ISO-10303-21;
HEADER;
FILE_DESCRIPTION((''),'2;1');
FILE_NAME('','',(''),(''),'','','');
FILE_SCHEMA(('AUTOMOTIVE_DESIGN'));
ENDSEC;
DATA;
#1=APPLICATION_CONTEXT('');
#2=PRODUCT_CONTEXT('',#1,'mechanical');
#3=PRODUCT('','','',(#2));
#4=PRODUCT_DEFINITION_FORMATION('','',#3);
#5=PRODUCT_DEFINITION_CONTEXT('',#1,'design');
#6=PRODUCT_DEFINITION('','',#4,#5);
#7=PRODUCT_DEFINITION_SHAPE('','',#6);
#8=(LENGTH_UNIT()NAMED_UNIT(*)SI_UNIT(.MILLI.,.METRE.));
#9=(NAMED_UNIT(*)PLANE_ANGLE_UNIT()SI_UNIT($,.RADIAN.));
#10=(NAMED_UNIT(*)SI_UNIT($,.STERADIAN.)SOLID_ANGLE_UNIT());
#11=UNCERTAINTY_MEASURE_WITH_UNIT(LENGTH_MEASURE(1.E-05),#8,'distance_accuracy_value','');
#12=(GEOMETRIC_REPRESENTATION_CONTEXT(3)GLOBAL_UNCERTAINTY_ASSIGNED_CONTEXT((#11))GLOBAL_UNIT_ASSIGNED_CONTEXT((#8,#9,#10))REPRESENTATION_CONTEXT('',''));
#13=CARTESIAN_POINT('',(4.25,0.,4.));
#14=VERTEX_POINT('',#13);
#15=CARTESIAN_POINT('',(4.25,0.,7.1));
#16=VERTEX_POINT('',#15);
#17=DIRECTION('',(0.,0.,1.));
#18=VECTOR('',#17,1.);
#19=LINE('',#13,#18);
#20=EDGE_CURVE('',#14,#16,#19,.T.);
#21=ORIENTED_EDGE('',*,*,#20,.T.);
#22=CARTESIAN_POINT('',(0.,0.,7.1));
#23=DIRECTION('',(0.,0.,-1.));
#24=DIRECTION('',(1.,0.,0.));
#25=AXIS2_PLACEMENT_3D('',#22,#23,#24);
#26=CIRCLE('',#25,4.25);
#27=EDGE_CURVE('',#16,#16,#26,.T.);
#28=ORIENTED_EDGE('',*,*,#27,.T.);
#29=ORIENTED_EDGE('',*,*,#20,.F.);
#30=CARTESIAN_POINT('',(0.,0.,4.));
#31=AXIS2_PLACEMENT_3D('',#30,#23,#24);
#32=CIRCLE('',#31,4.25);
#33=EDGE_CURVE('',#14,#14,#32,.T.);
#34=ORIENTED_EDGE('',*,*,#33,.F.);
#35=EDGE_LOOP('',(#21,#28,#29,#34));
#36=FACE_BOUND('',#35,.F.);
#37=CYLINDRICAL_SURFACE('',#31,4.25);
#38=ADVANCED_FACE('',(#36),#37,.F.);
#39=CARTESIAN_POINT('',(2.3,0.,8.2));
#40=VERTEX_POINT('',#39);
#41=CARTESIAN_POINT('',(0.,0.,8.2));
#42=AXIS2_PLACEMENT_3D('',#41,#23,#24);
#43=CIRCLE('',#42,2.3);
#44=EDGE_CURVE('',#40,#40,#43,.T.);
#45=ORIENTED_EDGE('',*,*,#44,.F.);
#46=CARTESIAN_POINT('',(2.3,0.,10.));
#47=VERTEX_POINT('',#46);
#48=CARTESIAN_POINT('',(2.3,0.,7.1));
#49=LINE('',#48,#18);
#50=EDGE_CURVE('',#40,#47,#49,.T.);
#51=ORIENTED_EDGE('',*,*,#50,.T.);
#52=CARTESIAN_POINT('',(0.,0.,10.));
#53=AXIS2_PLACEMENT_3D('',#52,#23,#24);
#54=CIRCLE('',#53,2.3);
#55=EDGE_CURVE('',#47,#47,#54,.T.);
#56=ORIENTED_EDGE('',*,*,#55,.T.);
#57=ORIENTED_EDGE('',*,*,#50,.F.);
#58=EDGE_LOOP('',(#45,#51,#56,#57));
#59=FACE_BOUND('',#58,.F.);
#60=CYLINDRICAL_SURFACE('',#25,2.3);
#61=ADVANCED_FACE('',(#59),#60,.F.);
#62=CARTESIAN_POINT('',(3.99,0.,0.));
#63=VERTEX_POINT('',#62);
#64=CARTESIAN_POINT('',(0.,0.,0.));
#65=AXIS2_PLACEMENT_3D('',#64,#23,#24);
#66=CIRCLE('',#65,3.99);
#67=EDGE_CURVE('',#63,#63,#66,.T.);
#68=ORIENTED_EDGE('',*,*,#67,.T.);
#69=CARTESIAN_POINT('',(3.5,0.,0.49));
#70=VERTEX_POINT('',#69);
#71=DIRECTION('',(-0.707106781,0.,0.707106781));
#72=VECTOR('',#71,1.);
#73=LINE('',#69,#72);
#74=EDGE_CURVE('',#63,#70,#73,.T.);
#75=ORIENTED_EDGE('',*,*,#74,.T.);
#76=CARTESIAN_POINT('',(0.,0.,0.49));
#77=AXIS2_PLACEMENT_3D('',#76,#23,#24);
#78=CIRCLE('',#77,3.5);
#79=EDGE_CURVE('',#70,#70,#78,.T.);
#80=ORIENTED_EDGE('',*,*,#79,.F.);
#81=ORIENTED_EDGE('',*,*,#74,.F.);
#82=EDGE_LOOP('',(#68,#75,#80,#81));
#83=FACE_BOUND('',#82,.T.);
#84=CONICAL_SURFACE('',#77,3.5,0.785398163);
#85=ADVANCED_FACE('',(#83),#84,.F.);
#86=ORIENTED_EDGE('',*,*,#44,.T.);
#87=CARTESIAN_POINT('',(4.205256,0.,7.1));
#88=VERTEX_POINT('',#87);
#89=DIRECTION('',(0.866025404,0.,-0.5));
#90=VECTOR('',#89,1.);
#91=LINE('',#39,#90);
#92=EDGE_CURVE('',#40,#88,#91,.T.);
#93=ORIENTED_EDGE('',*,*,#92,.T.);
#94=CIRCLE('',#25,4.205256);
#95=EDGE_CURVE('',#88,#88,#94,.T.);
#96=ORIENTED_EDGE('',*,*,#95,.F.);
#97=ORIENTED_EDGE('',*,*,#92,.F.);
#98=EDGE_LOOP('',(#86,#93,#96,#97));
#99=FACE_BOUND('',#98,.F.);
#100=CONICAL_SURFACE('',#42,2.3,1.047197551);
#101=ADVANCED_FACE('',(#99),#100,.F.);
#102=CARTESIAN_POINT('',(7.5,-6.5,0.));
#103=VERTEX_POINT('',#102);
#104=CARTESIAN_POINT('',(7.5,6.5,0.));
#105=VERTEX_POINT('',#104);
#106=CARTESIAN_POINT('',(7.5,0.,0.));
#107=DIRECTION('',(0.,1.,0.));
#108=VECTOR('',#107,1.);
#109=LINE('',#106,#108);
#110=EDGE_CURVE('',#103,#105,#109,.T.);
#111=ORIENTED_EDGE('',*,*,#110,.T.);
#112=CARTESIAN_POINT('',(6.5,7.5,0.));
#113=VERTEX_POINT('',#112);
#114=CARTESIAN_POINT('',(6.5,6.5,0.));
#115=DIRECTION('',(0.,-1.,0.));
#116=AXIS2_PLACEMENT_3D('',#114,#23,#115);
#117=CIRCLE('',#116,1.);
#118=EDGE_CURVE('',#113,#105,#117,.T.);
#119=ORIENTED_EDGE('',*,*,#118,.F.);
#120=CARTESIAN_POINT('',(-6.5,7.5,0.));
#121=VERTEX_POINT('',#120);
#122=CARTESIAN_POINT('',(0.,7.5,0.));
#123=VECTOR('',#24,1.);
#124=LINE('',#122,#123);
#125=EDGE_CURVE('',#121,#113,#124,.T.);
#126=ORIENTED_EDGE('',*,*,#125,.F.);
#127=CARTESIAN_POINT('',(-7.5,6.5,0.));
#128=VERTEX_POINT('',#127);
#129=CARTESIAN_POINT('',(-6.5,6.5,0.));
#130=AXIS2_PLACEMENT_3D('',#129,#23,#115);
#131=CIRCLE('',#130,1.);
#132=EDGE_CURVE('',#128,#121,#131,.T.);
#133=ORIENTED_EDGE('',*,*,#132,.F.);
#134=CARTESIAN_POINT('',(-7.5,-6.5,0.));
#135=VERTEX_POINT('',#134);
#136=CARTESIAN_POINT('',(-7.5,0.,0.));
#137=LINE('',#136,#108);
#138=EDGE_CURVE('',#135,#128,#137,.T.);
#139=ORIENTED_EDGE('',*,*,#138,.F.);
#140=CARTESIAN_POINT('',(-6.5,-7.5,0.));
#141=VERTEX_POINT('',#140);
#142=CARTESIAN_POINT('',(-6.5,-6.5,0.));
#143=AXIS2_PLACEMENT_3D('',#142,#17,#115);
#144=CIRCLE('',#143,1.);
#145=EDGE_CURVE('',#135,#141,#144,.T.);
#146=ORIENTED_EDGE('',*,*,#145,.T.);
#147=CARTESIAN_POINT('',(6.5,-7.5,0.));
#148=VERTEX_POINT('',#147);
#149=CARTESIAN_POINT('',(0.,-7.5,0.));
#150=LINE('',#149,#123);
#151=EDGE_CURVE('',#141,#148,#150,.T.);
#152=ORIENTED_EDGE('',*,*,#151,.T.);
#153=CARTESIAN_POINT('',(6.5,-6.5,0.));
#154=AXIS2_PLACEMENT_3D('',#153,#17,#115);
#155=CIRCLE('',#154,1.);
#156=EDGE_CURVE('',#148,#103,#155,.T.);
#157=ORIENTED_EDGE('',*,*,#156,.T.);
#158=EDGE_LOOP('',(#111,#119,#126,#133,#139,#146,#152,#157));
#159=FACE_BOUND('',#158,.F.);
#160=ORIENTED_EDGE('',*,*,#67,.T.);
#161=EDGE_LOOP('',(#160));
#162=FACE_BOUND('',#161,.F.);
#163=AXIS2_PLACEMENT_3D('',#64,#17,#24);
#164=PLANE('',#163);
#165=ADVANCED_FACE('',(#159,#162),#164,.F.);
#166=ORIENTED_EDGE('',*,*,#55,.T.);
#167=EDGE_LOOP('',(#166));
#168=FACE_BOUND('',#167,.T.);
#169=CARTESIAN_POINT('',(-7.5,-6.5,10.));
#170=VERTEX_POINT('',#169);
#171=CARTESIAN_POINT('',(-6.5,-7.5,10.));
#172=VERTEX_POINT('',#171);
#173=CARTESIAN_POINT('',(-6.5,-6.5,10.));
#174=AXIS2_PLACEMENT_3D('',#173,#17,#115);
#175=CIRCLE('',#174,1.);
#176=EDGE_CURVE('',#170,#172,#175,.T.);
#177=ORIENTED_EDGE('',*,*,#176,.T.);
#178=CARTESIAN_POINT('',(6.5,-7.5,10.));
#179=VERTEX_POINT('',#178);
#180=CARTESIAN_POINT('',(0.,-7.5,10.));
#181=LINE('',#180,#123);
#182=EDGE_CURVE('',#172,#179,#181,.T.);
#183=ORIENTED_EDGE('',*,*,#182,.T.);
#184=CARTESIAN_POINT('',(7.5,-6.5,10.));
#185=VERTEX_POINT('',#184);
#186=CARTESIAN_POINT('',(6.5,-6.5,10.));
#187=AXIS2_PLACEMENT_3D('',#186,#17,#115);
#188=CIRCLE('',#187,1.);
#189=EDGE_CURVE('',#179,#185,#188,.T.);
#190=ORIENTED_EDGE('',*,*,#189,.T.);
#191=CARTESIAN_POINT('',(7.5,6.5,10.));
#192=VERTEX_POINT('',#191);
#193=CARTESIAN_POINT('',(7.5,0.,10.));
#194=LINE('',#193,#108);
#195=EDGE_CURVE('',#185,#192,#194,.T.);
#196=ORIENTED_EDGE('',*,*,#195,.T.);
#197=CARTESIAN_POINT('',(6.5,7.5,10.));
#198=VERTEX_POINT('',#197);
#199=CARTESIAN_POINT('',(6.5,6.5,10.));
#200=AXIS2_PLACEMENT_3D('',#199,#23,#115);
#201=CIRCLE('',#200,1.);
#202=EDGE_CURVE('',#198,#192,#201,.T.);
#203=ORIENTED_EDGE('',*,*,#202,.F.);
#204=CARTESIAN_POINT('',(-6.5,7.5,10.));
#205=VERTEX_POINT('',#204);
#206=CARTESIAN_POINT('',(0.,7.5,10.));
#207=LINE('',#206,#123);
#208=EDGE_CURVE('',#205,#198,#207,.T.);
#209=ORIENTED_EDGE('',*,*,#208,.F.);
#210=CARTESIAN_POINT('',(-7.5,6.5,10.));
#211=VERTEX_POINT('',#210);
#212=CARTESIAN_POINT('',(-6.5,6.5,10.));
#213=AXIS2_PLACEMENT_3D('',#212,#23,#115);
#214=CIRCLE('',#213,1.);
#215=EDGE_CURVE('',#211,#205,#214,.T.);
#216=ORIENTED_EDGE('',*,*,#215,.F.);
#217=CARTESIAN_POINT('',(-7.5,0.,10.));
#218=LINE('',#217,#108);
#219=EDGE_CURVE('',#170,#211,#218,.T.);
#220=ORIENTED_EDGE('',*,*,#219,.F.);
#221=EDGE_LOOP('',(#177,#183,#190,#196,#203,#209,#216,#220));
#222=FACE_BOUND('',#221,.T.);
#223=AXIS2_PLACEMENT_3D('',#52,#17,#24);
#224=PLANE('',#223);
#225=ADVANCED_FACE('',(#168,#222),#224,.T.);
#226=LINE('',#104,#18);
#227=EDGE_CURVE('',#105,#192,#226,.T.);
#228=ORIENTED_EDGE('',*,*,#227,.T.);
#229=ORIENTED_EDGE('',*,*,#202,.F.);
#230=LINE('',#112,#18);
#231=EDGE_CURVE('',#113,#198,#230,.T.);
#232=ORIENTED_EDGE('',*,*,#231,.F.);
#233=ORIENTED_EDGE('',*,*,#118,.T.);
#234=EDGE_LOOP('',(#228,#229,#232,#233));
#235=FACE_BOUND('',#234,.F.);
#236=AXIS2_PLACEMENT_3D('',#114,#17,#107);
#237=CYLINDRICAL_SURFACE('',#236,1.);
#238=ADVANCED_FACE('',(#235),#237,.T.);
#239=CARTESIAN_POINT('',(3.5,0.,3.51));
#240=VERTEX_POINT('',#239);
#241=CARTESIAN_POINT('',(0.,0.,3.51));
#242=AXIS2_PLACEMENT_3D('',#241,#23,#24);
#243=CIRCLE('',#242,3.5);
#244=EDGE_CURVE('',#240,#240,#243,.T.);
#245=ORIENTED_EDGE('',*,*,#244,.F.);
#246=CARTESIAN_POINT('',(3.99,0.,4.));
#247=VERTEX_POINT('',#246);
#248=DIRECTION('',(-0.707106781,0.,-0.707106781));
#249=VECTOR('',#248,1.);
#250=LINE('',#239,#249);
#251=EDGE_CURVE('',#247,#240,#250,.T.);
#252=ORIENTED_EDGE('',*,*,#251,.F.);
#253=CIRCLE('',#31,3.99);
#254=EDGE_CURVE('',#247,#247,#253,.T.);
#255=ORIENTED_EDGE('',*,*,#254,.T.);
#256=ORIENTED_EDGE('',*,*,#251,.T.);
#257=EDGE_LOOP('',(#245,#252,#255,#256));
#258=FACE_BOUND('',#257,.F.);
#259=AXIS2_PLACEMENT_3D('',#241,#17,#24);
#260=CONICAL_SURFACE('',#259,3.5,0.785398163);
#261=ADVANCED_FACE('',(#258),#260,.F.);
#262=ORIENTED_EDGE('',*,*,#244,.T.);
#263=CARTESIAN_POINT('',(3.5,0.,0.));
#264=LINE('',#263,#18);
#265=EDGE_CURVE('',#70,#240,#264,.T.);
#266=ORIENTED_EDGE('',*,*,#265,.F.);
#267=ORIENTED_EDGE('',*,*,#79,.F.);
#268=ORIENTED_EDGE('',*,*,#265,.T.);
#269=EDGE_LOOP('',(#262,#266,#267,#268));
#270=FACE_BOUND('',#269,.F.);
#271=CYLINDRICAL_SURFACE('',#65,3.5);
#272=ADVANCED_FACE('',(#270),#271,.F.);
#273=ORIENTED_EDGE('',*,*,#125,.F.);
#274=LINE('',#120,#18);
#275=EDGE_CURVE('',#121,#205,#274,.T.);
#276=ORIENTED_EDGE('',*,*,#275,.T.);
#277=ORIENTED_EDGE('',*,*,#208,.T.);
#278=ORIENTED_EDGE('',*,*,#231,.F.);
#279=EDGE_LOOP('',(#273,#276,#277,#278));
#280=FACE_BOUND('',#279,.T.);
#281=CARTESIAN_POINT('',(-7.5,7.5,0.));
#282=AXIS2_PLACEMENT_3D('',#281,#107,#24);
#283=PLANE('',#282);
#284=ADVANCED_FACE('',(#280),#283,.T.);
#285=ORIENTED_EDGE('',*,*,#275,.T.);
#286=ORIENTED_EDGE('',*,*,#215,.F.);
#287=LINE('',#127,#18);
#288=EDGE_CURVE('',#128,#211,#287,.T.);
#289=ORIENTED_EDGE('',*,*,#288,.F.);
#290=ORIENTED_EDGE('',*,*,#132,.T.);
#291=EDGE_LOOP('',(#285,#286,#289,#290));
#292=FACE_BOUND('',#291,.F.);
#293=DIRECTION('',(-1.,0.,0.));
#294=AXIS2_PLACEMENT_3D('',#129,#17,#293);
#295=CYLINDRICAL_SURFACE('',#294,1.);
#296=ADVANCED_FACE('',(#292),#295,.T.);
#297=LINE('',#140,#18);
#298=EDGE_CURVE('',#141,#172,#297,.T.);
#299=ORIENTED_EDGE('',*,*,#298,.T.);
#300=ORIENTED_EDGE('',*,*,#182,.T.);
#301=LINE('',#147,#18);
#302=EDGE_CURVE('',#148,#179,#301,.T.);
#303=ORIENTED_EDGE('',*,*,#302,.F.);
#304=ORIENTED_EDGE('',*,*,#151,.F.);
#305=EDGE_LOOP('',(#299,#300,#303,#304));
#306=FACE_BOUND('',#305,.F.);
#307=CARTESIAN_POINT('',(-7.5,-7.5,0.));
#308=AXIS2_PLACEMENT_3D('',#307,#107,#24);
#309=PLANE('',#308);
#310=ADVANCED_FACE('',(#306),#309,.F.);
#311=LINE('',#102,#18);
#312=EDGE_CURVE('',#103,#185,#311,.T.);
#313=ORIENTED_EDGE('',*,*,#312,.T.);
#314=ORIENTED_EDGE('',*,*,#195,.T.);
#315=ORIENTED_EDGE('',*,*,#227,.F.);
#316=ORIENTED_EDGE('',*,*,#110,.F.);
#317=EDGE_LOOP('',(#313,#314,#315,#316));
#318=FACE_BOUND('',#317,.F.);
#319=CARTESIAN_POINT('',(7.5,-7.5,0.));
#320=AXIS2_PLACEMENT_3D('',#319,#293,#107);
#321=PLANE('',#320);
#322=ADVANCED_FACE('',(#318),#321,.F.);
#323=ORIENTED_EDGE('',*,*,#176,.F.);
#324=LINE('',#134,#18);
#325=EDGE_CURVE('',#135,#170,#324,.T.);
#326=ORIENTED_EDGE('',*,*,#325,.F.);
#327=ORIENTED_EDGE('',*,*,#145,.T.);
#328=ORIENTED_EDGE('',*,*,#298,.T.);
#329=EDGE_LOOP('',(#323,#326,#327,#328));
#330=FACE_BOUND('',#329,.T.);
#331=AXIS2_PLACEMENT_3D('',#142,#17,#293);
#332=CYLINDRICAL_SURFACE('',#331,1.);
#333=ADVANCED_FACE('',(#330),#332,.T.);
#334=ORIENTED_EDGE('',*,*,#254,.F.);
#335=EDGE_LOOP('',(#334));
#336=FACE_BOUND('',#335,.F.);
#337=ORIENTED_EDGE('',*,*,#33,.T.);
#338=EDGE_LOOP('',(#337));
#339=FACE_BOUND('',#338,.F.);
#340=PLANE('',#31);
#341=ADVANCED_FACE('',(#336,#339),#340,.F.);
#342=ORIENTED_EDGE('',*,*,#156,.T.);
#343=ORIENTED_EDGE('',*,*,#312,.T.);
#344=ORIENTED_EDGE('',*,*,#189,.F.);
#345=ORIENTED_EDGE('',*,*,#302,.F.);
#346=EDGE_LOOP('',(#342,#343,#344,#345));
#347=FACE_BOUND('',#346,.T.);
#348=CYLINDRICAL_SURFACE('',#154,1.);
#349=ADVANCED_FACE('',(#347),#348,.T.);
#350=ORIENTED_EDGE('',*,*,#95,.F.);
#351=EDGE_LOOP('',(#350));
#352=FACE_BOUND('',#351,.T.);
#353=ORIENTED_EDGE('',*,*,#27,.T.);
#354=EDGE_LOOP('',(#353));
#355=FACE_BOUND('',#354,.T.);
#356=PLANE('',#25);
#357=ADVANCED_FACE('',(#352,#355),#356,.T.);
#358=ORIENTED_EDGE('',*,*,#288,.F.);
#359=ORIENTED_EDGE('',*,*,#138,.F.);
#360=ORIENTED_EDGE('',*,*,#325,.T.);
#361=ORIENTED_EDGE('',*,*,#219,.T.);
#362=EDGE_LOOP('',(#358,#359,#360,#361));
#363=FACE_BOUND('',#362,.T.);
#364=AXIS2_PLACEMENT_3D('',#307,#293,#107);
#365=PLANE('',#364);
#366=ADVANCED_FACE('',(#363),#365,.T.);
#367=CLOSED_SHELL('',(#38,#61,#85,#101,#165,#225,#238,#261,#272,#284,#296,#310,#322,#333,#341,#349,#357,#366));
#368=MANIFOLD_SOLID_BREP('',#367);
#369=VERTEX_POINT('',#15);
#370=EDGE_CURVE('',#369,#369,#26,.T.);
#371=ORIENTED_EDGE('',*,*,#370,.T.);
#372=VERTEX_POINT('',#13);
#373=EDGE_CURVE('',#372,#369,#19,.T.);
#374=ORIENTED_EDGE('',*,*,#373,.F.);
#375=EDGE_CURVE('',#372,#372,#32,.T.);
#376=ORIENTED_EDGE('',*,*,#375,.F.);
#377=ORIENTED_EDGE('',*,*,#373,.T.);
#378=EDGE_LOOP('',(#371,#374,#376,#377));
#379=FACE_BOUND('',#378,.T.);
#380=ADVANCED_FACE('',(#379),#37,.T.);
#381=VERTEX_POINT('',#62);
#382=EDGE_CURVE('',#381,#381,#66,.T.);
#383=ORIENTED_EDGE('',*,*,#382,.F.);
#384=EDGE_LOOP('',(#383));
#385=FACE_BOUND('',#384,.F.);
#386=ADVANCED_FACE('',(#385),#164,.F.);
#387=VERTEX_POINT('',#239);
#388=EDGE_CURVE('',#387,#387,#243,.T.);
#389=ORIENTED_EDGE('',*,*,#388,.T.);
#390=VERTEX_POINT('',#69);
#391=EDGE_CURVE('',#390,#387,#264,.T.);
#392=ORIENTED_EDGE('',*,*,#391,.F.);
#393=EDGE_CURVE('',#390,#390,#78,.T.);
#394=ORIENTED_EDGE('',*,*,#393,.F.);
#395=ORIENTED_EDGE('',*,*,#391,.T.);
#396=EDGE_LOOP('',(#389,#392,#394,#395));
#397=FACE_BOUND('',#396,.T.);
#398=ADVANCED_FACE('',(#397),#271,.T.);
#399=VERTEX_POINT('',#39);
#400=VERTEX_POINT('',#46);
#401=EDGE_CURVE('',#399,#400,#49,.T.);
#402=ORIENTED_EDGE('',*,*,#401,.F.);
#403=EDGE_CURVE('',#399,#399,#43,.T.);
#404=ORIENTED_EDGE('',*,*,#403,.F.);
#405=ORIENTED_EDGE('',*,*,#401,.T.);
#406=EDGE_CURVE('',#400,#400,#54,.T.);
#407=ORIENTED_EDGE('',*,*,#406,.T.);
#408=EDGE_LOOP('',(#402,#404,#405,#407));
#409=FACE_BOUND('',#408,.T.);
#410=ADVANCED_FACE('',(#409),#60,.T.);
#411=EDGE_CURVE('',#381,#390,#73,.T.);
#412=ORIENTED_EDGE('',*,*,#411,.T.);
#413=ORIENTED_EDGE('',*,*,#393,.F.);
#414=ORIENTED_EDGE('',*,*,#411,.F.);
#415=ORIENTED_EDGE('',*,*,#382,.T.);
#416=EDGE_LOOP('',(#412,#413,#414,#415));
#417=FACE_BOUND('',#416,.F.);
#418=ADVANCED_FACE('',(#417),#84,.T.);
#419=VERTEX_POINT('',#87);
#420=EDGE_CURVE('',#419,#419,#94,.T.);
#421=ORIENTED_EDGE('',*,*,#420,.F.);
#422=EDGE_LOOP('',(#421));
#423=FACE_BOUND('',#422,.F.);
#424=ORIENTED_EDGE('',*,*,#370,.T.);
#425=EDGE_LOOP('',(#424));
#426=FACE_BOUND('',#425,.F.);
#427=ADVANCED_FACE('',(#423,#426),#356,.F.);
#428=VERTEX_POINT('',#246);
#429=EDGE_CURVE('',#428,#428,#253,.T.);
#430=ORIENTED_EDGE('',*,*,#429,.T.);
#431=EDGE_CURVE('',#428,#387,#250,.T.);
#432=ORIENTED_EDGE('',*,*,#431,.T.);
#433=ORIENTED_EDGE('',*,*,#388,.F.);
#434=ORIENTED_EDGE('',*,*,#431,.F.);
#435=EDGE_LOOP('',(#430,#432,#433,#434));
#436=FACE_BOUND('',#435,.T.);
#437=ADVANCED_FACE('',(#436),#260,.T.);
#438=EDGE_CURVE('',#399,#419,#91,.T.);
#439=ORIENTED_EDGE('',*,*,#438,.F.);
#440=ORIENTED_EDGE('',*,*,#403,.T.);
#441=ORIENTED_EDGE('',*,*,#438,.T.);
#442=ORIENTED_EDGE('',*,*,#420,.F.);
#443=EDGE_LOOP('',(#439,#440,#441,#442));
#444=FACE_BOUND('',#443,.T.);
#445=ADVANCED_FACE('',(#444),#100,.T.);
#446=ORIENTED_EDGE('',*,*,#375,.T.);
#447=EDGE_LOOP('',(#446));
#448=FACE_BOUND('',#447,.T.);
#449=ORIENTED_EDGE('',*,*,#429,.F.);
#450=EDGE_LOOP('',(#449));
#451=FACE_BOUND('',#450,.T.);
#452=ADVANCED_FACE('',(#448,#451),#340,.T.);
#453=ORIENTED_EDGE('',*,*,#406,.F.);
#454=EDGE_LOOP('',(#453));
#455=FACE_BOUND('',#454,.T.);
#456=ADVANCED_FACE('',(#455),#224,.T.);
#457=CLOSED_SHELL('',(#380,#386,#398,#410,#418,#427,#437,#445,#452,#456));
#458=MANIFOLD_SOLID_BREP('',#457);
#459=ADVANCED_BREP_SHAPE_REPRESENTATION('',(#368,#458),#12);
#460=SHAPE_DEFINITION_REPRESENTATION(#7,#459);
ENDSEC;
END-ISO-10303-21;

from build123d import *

# Parameters (mm, degrees)
SKETCH_W        = 15
SKETCH_H        = 15
PAD_DEPTH       = 10
SKETCH001_R     = 3.5
POCKET_DEPTH    = 4
SKETCH002_R     = 4.25
POCKET001_DEPTH = 3.1
SKETCH003_R     = 2.3
POCKET002_DEPTH = 2.901
CHAMFER_ANGLE   = 60
CHAMFER_SIZE    = 1.1
CHAMFER001_SIZE = 0.49
FILLET_R        = 1
SKETCH004_R     = 7.012338
PAD001_DEPTH    = 10


with BuildPart() as socket:
    # Sketch → Pad (new body)
    with BuildSketch(Plane.XY):
        Rectangle(SKETCH_W, SKETCH_H)
    extrude(amount=PAD_DEPTH)

    # Sketch001 (on Face5 of Pad) → Pocket (cut)
    with BuildSketch(Plane(origin=(0, 0, 0), x_dir=(1, 0, 0), z_dir=(0, 0, -1))):
        Circle(SKETCH001_R)
    extrude(amount=-POCKET_DEPTH, mode=Mode.SUBTRACT)

    # Sketch002 (on Face8 of Pocket) → Pocket001 (cut)
    with BuildSketch(Plane(origin=(0, 0, 4), x_dir=(1, 0, 0), z_dir=(0, 0, -1))):
        Circle(SKETCH002_R)
    extrude(amount=-POCKET001_DEPTH, mode=Mode.SUBTRACT)

    # Sketch003 (on Face10 of Pocket001) → Pocket002 (cut, through all)
    with BuildSketch(Plane(origin=(0, 0, 7.1), x_dir=(1, 0, 0), z_dir=(0, 0, -1))):
        Circle(SKETCH003_R)
    extrude(amount=-POCKET002_DEPTH, mode=Mode.SUBTRACT)

    # Chamfer
    chamfer_edges = [socket.edges().sort_by_distance(p)[0] for p in [
        (-2.3, 0, 7.1),
    ]]
    chamfer_side = socket.faces().sort_by_distance((-2.3, 0, 8.55))[0]
    chamfer(chamfer_edges, length=CHAMFER_SIZE, angle=CHAMFER_ANGLE, reference=chamfer_side)

    # Chamfer001
    chamfer001_edges = [socket.edges().sort_by_distance(p)[0] for p in [
        (-3.5, 0, 4),
        (-3.5, 0, 0),
    ]]
    chamfer(chamfer001_edges, length=CHAMFER001_SIZE)

    # Fillet
    fillet_edges = [socket.edges().sort_by_distance(p)[0] for p in [
        (-7.5, -7.5, 5),
        (-7.5, 7.5, 5),
        (7.5, -7.5, 5),
        (7.5, 7.5, 5),
    ]]
    fillet(fillet_edges, radius=FILLET_R)


with BuildPart() as socket001:
    # Link base: copy of socket
    add(socket.part)


with BuildPart() as socket_cut:
    # Sketch004 → Pad001 (new body)
    with BuildSketch(Plane.XY):
        Circle(SKETCH004_R)
    extrude(amount=PAD001_DEPTH)

    # Cut: cut socket001
    add(socket001.part, mode=Mode.SUBTRACT)


solid = Compound([socket.part, socket_cut.part])
